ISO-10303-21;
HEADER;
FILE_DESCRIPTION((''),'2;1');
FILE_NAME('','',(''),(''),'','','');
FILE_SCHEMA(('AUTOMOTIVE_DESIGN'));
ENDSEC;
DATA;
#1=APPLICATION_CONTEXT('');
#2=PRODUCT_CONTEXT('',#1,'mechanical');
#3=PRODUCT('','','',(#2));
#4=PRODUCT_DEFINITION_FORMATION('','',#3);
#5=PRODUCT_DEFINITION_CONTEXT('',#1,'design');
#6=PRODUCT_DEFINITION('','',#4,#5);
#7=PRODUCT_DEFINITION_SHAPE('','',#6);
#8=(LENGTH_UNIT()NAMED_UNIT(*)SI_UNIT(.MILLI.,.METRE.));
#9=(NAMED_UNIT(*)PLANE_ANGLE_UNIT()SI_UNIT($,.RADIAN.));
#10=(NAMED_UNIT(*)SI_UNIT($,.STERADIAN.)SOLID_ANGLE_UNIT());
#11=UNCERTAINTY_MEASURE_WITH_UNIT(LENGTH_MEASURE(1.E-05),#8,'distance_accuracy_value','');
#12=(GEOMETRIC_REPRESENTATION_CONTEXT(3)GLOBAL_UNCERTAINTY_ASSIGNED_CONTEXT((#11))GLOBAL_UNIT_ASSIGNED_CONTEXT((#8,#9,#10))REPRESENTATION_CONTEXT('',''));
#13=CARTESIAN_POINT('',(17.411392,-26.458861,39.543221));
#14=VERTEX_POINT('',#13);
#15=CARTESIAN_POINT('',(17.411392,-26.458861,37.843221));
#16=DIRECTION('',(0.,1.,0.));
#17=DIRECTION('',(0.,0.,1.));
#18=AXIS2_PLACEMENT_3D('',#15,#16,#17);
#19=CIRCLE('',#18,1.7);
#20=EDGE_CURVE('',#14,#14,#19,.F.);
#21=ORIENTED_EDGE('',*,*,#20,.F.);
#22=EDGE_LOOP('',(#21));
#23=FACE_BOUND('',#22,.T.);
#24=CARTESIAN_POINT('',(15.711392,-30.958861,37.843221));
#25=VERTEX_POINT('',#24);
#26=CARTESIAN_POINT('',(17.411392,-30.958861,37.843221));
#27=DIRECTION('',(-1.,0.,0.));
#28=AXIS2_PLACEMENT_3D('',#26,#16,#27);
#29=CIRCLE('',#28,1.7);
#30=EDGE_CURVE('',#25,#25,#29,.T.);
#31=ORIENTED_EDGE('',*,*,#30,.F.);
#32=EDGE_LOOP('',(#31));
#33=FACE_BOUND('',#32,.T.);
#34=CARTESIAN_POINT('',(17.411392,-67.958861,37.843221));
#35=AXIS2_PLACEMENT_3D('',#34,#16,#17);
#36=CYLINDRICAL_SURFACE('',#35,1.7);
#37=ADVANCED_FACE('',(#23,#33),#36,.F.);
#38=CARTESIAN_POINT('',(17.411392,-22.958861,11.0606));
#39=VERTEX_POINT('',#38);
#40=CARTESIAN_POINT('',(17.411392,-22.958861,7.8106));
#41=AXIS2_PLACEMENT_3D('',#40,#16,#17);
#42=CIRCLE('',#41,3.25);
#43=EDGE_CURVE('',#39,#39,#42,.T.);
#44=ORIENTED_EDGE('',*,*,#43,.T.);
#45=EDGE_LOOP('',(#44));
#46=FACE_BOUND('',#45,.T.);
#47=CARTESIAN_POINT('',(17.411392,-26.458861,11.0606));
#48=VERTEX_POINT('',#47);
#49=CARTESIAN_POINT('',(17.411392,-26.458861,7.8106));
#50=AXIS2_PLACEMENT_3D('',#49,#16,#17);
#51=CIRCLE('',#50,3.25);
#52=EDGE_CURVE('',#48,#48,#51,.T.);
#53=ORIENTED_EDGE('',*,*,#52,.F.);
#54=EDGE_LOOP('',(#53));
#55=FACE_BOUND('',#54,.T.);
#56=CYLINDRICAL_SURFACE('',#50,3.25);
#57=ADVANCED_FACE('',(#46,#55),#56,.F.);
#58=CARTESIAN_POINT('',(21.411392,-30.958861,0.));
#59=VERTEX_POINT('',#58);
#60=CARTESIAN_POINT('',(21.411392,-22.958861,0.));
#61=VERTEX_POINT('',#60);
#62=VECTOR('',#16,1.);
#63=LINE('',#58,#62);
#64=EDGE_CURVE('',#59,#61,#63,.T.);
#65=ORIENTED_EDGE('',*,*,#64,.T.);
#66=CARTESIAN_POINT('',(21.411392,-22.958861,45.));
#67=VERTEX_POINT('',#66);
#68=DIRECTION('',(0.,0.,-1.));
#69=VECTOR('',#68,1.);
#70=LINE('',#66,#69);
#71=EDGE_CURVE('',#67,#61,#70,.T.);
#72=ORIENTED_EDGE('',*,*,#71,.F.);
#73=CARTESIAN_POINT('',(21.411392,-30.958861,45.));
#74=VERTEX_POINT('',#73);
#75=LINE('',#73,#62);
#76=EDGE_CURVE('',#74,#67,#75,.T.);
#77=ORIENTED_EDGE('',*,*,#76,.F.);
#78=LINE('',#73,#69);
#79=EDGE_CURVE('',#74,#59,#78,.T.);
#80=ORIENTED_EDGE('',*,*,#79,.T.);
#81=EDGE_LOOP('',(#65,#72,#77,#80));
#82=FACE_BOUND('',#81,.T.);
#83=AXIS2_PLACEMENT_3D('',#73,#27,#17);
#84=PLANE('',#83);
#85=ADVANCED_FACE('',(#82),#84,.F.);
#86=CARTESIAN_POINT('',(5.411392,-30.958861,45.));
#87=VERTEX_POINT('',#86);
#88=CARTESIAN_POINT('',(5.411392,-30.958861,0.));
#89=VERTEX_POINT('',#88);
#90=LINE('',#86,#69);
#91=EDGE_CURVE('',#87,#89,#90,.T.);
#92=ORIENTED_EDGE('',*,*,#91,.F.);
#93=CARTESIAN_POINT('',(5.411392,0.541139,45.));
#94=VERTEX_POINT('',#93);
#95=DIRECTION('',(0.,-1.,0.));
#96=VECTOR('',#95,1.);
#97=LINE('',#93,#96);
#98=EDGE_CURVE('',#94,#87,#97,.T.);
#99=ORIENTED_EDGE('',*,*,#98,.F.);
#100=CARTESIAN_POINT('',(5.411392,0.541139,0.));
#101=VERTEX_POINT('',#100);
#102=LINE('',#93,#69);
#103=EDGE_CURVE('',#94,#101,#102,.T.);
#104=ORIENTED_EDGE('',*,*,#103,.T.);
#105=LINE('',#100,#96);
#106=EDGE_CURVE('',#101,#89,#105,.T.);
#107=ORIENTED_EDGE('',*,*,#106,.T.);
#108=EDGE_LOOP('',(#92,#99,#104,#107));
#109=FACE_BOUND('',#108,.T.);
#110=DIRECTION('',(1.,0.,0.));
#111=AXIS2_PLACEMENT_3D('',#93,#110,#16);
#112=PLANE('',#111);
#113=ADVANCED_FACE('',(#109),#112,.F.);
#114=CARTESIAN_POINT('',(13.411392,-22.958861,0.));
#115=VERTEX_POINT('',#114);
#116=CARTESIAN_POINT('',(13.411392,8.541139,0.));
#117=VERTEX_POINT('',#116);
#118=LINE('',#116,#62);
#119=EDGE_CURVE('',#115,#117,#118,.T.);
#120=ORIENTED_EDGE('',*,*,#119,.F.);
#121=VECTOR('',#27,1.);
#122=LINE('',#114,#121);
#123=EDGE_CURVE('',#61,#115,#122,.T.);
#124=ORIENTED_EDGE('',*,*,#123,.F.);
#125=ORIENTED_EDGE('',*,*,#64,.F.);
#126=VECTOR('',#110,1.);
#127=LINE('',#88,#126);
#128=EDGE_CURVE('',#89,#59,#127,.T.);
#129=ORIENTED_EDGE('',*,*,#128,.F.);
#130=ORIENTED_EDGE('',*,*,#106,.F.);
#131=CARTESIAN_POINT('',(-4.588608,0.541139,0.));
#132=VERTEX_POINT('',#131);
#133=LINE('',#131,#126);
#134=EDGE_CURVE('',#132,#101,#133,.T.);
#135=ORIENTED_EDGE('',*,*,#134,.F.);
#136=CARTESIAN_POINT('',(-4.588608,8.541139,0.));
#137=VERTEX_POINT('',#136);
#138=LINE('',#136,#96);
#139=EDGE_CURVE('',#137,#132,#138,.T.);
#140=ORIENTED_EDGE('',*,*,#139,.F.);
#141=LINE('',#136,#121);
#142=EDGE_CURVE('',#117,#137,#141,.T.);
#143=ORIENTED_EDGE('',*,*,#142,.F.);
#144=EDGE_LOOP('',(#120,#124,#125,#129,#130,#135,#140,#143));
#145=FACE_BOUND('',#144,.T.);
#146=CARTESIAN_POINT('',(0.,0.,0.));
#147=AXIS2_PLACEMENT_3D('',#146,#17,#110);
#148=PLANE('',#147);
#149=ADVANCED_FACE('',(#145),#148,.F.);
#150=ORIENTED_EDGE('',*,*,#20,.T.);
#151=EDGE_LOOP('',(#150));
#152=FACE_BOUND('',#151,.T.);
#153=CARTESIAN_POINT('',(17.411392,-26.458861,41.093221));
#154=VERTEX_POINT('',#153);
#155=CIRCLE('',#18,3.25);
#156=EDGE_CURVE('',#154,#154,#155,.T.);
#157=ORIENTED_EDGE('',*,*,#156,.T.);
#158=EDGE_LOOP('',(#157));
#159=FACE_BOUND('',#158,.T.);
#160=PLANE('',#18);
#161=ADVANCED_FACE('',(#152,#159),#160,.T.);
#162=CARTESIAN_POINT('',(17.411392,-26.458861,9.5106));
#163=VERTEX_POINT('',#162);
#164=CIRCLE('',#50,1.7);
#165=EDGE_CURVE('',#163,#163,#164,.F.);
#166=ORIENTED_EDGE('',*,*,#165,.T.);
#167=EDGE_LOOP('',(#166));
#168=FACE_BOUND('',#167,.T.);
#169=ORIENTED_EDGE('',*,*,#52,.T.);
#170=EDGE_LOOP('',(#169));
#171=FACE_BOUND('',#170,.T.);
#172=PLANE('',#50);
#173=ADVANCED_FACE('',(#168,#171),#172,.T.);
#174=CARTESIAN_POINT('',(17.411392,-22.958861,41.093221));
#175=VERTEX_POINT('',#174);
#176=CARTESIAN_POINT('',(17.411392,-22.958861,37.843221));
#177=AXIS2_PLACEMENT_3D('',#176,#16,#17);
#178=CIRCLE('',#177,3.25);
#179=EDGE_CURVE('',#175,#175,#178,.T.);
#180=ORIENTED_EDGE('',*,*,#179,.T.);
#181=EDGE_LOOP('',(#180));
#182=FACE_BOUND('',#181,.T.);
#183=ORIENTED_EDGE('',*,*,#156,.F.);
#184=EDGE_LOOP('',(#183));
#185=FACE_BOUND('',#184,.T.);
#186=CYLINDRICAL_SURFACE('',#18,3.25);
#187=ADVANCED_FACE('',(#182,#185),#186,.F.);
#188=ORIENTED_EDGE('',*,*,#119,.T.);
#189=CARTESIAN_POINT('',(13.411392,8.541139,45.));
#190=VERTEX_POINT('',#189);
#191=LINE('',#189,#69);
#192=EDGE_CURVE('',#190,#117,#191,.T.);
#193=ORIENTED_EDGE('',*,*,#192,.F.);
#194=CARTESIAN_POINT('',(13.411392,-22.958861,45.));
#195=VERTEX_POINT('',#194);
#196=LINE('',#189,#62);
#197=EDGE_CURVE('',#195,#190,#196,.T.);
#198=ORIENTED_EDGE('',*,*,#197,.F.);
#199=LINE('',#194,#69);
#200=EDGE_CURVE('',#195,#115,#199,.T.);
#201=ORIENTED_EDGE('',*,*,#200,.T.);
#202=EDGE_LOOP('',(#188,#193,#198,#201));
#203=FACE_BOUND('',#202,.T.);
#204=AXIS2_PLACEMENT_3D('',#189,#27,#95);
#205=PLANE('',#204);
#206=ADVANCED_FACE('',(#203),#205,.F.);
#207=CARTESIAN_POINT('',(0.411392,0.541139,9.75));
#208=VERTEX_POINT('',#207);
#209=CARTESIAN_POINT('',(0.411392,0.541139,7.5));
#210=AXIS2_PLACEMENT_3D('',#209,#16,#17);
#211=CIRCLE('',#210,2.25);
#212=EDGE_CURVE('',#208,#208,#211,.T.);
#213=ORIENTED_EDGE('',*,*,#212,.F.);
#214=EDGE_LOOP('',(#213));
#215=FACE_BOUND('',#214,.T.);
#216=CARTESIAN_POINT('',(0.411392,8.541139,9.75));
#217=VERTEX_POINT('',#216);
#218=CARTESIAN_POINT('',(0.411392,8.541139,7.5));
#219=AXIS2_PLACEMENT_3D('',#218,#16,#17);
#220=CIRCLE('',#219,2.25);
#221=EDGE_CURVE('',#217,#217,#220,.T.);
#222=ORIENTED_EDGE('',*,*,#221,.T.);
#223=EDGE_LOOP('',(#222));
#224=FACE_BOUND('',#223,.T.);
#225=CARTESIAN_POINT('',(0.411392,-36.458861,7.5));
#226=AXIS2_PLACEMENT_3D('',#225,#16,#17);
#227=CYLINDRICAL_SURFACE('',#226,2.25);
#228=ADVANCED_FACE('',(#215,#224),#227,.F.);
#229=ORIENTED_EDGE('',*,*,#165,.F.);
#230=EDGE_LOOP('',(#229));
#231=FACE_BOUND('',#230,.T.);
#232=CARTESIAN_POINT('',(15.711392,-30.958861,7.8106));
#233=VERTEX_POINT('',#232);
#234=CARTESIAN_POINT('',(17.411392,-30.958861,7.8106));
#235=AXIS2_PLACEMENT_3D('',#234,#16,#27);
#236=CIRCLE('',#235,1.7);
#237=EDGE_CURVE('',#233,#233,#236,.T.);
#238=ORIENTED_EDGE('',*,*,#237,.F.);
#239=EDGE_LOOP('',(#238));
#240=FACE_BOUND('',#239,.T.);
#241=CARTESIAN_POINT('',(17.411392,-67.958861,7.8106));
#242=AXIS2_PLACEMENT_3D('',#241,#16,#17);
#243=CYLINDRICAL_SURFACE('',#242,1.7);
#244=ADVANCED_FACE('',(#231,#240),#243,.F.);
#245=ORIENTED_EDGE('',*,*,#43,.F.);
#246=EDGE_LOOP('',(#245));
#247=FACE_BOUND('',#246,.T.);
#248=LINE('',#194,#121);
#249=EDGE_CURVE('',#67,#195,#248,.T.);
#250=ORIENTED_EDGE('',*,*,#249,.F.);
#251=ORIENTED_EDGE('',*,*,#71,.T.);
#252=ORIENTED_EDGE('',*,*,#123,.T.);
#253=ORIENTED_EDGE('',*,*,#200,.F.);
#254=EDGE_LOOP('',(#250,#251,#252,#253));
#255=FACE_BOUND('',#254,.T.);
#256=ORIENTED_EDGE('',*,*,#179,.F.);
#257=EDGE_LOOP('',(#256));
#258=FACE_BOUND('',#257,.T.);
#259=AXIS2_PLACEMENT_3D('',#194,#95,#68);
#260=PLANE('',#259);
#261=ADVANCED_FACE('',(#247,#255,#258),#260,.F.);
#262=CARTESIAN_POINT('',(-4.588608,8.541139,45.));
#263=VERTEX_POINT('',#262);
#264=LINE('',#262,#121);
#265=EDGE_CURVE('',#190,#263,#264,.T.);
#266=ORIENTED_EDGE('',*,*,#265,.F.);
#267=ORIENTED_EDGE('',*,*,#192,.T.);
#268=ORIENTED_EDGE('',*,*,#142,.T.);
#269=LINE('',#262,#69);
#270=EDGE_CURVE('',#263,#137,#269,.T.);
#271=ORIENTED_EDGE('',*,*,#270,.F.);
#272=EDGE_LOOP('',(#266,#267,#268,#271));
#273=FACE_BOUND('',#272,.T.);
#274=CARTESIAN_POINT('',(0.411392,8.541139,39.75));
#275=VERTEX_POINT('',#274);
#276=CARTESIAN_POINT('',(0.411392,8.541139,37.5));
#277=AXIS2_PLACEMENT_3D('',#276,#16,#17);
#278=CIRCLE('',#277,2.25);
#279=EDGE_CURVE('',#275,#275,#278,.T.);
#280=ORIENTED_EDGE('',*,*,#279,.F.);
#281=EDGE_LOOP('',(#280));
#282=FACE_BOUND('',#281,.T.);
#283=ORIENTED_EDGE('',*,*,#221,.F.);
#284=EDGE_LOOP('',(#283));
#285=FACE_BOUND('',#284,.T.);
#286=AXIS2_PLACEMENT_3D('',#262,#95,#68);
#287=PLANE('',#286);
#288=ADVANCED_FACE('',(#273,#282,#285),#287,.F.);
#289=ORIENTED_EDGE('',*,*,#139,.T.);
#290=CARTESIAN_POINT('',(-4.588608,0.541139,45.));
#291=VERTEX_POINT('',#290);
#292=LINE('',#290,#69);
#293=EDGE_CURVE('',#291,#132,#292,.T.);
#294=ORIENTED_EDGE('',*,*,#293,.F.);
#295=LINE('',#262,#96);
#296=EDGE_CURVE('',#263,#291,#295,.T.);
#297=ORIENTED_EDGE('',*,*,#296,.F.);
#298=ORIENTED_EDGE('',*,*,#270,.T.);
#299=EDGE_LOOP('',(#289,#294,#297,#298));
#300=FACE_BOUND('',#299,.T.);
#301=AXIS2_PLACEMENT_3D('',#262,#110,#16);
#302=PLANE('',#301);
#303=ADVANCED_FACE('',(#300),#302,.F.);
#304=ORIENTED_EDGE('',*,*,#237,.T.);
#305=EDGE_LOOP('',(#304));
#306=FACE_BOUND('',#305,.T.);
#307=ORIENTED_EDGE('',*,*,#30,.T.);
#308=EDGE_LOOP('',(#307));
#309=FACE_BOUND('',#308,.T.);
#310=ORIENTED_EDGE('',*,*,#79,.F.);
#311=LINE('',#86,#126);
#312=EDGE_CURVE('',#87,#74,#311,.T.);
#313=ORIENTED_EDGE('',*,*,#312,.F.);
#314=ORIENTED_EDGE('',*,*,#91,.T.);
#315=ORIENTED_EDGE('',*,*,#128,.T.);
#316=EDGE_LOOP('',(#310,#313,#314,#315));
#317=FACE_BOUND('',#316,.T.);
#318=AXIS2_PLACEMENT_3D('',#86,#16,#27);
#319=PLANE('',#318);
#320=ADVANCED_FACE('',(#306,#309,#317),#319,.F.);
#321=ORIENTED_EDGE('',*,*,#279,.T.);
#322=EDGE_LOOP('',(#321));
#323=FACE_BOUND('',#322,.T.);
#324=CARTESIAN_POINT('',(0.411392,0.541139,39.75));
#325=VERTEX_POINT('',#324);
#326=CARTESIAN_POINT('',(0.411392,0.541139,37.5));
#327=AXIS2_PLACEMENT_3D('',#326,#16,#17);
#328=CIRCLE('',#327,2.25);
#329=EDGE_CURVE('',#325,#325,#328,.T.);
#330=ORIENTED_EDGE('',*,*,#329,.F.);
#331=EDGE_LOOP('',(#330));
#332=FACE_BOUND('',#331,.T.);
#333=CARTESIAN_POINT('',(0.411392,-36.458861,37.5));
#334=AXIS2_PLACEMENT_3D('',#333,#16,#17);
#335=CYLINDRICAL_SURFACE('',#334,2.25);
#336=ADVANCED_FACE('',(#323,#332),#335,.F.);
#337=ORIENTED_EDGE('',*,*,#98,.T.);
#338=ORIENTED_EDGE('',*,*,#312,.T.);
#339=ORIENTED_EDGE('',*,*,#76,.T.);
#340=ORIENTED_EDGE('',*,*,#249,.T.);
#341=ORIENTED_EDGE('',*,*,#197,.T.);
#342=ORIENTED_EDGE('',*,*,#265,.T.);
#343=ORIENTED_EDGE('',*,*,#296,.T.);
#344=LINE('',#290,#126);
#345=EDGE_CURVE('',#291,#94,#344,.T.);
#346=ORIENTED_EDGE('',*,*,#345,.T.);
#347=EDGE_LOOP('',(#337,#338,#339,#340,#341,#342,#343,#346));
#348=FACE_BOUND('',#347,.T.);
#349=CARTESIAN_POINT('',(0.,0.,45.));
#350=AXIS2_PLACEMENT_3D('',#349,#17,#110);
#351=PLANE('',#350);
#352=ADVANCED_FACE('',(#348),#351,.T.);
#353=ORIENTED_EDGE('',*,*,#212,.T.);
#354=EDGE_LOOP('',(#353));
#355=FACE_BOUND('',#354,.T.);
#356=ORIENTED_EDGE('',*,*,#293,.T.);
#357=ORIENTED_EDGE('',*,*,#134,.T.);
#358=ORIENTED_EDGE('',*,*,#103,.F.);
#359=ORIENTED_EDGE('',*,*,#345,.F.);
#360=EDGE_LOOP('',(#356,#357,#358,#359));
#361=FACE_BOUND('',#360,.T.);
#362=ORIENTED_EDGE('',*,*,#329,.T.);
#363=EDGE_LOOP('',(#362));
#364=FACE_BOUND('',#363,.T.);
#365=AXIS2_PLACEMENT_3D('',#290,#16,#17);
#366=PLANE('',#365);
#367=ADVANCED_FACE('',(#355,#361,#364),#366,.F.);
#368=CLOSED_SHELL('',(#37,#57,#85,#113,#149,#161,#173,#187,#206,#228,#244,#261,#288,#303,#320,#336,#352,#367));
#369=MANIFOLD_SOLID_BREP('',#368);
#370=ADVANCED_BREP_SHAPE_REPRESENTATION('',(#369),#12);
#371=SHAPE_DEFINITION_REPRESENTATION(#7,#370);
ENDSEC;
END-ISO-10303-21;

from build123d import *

# Parameters (mm, degrees)
BOSS_EXTRUDE1_DEPTH = 45
SKETCH2_R           = 2.25
CUT_EXTRUDE1_DEPTH  = 45
SKETCH3_R           = 1.7
CUT_EXTRUDE2_DEPTH  = 45
SKETCH4_R           = 3.25
CUT_EXTRUDE3_DEPTH  = 3.5


with BuildPart() as part:
    # Sketch1 → Boss-Extrude1 (new body)
    with BuildSketch(Plane.XY):
        Polygon((-4.588607595, 8.541139241), (13.411392405, 8.541139241), (13.411392405, -22.958860759), (21.411392405, -22.958860759), (21.411392405, -30.958860759), (5.411392405, -30.958860759), (5.411392405, 0.541139241), (-4.588607595, 0.541139241), align=None)
    extrude(amount=BOSS_EXTRUDE1_DEPTH)

    # Sketch2 → Cut-Extrude1 (cut)
    with BuildSketch(Plane(origin=(0, 8.541139241, 0), x_dir=(1, 0, 0), z_dir=(0, 1, 0))):
        with Locations((0.411392405, -7.5)):
            Circle(SKETCH2_R)
        with Locations((0.411392405, -37.5)):
            Circle(SKETCH2_R)
    extrude(amount=-CUT_EXTRUDE1_DEPTH, mode=Mode.SUBTRACT)

    # Sketch3 → Cut-Extrude2 (cut)
    with BuildSketch(Plane(origin=(0, -22.958860759, 0), x_dir=(1, 0, 0), z_dir=(0, 1, 0))):
        with Locations((17.411392405, -7.810599517)):
            Circle(SKETCH3_R)
        with Locations((17.411392405, -37.843221269)):
            Circle(SKETCH3_R)
    extrude(amount=-CUT_EXTRUDE2_DEPTH, mode=Mode.SUBTRACT)

    # Sketch4 → Cut-Extrude3 (cut)
    with BuildSketch(Plane(origin=(0, -22.958860759, 0), x_dir=(1, 0, 0), z_dir=(0, 1, 0))):
        with Locations((17.411392405, -7.810599517)):
            Circle(SKETCH4_R)
        with Locations((17.411392405, -37.843221269)):
            Circle(SKETCH4_R)
    extrude(amount=-CUT_EXTRUDE3_DEPTH, mode=Mode.SUBTRACT)


solid = part.part
